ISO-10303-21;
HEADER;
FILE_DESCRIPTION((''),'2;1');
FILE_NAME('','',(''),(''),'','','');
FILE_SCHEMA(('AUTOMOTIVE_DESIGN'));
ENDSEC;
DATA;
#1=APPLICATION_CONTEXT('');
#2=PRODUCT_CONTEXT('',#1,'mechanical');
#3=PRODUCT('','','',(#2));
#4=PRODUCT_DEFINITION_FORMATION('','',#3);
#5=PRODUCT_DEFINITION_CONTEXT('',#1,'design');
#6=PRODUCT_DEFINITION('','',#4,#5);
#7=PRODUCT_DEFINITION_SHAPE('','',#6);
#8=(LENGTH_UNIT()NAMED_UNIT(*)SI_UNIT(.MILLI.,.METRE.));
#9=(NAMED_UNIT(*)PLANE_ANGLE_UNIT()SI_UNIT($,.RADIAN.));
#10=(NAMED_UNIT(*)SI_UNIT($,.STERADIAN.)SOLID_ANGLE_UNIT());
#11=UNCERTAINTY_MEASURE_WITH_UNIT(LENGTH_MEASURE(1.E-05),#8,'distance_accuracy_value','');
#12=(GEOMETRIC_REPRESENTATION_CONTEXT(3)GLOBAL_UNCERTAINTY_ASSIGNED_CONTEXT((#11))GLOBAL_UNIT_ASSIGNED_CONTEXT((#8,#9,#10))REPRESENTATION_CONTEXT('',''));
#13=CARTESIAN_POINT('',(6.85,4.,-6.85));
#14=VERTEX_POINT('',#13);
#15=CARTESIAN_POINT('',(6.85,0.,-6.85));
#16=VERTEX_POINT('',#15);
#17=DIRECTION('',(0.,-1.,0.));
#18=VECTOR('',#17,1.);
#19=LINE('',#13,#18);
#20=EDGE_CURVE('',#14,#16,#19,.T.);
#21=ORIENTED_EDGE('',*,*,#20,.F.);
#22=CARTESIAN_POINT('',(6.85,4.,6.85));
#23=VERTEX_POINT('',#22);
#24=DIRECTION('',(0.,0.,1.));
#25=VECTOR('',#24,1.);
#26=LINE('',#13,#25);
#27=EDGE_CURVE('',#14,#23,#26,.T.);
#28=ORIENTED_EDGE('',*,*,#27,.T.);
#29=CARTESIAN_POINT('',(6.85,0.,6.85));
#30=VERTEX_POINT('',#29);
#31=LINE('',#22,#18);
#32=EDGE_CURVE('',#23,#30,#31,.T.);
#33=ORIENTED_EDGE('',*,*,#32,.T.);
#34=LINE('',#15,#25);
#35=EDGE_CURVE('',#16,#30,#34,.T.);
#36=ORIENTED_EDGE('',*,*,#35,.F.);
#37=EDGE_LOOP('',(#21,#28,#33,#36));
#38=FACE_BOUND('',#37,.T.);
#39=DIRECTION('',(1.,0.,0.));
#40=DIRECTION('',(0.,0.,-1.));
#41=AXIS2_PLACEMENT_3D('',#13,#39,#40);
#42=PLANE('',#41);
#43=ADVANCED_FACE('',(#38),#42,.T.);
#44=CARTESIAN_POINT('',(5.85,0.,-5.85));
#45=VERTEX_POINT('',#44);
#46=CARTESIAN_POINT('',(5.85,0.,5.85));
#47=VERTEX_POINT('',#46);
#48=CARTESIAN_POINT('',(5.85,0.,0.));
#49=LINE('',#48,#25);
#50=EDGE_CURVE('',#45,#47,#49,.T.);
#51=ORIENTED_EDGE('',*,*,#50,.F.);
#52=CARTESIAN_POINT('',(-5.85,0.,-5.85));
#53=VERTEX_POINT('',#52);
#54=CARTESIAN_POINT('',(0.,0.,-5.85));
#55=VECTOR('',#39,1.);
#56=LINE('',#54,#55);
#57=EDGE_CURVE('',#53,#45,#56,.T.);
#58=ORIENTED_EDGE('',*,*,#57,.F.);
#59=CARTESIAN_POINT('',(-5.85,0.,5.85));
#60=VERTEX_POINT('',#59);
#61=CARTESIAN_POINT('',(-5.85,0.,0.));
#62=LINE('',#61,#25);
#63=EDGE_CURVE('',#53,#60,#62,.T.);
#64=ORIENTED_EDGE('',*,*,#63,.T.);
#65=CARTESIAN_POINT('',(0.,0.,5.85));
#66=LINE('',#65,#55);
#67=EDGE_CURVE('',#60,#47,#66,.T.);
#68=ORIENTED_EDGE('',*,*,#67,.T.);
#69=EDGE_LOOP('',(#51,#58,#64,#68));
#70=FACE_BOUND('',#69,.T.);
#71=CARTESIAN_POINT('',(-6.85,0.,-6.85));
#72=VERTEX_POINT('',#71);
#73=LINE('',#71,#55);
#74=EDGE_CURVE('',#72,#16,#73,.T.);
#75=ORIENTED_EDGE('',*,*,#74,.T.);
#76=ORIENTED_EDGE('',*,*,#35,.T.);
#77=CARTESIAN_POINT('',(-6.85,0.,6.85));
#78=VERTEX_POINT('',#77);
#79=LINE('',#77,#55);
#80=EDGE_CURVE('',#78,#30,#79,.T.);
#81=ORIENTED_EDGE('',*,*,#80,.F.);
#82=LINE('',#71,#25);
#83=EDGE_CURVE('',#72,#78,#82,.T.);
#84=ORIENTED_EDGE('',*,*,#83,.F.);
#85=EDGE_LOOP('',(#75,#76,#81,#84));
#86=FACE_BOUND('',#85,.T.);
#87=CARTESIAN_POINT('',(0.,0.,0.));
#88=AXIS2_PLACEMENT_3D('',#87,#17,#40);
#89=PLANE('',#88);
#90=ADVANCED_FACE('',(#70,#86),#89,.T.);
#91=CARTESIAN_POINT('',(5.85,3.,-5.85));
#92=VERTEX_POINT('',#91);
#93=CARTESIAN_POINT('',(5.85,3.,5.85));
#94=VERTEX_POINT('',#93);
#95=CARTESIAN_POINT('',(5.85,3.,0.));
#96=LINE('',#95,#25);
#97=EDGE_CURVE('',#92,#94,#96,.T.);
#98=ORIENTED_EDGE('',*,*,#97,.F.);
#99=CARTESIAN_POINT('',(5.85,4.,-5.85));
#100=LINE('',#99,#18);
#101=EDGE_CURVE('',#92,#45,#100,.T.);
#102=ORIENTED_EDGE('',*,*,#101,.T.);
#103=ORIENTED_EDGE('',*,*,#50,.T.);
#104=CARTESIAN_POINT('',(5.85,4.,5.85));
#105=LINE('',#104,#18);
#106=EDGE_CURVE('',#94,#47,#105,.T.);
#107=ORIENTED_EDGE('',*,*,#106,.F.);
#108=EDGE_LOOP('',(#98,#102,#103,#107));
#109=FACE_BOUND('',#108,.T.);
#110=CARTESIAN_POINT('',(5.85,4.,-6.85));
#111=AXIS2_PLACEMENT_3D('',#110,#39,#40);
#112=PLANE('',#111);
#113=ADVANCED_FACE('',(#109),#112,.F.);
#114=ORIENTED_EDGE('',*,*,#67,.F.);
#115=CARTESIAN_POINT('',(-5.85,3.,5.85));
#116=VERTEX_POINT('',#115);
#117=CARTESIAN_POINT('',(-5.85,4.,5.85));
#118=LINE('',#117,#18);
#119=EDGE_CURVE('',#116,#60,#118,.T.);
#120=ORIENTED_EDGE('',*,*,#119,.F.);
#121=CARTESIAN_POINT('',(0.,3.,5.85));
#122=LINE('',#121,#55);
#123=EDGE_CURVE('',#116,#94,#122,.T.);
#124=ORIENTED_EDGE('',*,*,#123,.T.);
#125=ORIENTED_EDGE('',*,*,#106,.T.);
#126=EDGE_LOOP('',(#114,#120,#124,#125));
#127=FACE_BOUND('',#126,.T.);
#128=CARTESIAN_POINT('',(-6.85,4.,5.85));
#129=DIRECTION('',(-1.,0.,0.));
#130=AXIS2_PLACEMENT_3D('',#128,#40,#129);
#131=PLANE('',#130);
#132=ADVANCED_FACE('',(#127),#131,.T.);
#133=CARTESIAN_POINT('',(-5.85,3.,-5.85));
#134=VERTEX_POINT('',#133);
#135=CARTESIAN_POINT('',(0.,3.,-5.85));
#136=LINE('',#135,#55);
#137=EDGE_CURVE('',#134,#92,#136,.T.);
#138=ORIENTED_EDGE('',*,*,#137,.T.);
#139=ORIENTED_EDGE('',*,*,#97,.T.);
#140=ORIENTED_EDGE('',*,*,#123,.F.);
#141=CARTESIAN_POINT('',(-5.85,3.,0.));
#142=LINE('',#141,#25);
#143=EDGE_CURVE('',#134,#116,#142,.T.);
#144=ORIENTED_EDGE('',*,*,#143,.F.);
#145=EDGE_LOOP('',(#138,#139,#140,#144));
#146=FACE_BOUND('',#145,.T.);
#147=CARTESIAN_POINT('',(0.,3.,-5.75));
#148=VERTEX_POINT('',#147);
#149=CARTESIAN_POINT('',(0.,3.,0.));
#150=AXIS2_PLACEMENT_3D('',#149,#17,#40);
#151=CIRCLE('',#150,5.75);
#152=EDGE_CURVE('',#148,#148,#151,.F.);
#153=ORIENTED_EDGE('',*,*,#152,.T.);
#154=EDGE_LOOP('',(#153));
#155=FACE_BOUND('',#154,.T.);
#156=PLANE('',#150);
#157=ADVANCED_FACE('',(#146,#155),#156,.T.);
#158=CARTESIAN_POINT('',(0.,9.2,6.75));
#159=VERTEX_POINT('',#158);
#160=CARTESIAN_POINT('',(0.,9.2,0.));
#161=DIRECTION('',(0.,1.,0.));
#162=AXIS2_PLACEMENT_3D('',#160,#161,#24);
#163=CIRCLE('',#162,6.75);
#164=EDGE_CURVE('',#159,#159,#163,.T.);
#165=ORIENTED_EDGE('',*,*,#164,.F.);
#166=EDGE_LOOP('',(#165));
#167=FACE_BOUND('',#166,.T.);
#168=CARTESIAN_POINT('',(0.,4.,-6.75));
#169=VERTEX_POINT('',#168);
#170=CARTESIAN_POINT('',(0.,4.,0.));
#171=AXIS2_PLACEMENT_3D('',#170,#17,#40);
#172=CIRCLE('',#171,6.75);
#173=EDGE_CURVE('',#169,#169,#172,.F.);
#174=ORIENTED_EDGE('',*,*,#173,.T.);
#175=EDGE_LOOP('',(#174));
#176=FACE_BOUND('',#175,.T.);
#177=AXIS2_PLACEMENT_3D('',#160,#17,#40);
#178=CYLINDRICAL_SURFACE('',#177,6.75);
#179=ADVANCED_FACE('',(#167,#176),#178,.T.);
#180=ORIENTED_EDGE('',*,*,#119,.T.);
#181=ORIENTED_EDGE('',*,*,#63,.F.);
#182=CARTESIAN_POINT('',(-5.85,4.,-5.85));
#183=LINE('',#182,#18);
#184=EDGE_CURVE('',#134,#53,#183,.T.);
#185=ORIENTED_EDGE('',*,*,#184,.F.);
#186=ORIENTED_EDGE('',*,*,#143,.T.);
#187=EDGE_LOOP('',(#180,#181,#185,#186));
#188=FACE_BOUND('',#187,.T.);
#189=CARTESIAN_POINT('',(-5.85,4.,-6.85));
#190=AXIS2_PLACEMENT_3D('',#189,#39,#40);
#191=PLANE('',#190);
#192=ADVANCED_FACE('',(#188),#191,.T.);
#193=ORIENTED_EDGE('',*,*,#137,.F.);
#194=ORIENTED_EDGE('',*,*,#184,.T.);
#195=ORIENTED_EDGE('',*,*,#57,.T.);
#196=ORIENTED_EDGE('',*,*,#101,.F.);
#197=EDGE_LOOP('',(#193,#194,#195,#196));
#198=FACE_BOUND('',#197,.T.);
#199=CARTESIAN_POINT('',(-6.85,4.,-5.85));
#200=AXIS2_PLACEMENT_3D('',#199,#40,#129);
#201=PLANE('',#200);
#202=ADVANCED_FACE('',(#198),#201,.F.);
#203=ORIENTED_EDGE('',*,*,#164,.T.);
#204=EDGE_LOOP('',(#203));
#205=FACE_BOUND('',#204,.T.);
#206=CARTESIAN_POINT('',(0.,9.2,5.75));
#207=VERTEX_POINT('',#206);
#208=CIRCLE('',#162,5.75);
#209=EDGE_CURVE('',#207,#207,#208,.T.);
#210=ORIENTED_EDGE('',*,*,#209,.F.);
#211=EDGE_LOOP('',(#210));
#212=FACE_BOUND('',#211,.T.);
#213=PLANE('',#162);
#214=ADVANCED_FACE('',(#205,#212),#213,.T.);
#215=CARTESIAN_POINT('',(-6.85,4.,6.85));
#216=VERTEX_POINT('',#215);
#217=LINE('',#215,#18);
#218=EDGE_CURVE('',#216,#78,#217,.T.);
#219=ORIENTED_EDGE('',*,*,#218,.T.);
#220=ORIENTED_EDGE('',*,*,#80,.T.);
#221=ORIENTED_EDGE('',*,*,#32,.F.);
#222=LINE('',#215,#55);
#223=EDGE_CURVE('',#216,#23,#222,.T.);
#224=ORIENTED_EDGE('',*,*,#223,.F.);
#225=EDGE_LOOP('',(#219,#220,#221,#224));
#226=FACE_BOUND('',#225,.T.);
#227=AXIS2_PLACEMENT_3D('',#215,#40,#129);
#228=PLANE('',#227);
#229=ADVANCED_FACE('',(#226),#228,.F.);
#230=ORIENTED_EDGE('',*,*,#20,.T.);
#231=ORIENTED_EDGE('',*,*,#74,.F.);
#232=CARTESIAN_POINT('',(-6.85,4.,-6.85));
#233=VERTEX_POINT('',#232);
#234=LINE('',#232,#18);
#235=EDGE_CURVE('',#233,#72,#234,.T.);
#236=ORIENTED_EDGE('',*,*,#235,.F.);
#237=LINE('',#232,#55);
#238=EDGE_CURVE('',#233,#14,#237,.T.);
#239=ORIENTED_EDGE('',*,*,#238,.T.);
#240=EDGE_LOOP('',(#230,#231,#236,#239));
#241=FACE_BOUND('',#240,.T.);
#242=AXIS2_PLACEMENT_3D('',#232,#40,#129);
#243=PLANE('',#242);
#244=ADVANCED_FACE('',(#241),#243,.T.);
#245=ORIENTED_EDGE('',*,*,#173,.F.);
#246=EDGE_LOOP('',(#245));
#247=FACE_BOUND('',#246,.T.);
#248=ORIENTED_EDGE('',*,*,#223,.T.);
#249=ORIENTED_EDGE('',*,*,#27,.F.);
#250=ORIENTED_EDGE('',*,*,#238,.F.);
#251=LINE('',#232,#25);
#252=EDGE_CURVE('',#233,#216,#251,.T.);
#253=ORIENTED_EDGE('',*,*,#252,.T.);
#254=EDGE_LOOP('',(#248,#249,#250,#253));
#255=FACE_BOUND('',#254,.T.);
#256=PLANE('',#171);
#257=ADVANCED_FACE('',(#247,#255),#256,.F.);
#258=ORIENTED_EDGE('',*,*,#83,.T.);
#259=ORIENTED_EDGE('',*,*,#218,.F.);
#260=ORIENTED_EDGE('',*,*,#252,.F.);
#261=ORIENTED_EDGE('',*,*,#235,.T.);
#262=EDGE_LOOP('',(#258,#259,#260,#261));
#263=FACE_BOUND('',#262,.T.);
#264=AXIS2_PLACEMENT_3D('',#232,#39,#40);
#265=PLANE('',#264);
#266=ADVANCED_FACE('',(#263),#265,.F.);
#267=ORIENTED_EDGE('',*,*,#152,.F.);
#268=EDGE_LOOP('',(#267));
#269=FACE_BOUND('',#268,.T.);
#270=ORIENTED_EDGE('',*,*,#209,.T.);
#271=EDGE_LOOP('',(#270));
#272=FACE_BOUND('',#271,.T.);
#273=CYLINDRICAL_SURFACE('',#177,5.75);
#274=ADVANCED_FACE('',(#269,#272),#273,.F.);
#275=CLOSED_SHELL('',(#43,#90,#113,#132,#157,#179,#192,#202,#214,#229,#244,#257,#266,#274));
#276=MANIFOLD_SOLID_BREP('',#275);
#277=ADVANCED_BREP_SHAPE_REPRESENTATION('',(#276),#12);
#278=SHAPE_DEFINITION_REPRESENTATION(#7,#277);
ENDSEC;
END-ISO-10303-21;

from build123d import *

# Parameters (mm, degrees)
SKETCH1_W           = 13.7
SKETCH1_H           = 13.7
BOSS_EXTRUDE1_DEPTH = 4
SKETCH2_R           = 6.75
BOSS_EXTRUDE2_DEPTH = 9.2
SHELL1_T            = -1


with BuildPart() as part:
    # Sketch1 → Boss-Extrude1 (new body)
    with BuildSketch(Plane(origin=(0, 0, 0), x_dir=(1, 0, 0), z_dir=(0, 1, 0))):
        Rectangle(SKETCH1_W, SKETCH1_H)
    extrude(amount=BOSS_EXTRUDE1_DEPTH)

    # Sketch2 → Boss-Extrude2 (add)
    with BuildSketch(Plane(origin=(0, 0, 0), x_dir=(1, 0, 0), z_dir=(0, 1, 0))):
        with Locations(Location((0, 0, 0), (0, 0, 90))):
            Circle(SKETCH2_R)
    extrude(amount=BOSS_EXTRUDE2_DEPTH)

    # Shell1
    shell1_openings = [part.faces().sort_by_distance(p)[0] for p in [
        (0, 9.2, 0),
        (0, 0, 0),
    ]]
    offset(amount=SHELL1_T, openings=shell1_openings, kind=Kind.INTERSECTION)


solid = part.part
